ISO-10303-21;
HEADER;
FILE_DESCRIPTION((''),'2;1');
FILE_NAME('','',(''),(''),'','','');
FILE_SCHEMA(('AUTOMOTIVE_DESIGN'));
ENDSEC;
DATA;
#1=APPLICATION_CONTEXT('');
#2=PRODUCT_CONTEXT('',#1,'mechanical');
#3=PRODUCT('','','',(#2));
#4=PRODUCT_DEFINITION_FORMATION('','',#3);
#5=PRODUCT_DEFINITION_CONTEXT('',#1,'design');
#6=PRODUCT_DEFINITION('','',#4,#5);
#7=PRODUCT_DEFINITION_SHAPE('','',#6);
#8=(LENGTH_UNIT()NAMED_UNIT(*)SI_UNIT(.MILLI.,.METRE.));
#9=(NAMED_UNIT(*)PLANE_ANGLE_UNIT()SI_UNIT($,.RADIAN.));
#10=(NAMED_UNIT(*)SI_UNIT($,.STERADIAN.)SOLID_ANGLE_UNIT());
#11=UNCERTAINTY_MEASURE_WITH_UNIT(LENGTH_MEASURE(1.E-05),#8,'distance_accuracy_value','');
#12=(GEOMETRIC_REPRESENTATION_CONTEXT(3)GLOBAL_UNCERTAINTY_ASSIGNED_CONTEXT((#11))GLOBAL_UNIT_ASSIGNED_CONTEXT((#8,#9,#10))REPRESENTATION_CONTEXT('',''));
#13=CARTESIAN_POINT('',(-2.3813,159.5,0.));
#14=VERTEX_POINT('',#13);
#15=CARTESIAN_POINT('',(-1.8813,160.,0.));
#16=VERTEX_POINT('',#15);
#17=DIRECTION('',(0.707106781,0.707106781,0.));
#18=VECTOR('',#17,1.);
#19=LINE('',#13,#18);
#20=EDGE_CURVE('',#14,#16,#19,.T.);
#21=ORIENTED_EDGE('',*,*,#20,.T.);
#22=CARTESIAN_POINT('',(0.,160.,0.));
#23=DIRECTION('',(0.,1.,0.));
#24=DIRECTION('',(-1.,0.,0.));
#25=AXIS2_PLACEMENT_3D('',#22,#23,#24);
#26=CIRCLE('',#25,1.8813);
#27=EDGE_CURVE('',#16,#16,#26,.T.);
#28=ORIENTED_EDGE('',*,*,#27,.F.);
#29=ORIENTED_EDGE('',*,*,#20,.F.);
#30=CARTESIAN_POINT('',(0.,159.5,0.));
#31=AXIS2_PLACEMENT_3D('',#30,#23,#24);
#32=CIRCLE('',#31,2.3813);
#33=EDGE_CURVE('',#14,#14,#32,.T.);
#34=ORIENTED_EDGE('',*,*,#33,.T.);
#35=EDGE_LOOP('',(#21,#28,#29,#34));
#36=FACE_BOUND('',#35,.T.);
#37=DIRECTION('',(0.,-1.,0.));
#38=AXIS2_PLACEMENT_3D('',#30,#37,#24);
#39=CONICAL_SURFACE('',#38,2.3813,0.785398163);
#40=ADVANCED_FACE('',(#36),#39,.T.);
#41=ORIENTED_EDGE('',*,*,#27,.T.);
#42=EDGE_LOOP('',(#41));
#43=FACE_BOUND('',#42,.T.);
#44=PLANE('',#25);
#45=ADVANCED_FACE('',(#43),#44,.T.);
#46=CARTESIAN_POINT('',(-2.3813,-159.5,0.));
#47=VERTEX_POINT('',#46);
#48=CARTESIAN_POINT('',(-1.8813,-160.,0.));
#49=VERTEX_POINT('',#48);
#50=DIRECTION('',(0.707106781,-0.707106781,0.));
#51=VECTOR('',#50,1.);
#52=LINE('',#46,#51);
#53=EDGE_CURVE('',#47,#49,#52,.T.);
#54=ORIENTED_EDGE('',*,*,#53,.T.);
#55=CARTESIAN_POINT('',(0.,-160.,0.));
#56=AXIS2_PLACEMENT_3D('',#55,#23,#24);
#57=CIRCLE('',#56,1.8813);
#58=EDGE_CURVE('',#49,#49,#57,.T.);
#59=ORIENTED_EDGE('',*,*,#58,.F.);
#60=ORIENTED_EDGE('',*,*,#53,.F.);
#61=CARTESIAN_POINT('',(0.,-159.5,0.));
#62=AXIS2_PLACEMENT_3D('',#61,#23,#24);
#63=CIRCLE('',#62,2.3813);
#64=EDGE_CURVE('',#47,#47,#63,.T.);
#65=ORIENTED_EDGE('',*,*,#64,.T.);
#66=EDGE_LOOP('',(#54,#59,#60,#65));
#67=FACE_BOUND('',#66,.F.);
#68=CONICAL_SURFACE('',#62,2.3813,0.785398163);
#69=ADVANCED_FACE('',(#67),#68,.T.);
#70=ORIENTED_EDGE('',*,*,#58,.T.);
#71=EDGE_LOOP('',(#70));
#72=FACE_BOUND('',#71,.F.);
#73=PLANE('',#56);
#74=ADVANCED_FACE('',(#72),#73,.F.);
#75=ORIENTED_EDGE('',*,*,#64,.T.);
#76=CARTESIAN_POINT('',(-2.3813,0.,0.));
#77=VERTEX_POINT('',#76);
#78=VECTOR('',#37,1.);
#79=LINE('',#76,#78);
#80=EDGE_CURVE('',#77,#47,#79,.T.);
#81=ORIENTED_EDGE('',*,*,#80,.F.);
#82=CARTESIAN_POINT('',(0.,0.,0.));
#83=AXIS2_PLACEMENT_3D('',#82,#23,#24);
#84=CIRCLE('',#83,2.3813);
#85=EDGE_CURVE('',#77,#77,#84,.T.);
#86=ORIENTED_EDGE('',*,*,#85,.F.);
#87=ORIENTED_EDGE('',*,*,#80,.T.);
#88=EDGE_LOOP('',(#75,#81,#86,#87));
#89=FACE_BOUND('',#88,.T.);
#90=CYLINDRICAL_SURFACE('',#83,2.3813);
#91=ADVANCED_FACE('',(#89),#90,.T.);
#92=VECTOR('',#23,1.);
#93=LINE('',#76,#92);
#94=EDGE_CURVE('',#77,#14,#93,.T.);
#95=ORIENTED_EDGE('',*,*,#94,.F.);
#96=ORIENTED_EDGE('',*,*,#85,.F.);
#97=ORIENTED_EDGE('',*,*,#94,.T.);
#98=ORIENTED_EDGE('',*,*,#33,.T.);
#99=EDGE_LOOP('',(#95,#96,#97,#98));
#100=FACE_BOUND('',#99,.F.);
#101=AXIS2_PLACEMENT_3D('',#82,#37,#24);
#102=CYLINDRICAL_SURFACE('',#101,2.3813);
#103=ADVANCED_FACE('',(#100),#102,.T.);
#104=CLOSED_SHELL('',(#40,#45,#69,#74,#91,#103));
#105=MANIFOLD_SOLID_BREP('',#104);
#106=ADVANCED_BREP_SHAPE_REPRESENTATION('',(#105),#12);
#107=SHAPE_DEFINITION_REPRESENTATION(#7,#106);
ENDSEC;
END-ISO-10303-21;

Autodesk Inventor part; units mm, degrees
ref_plane "YZ Plane" through (0, 0, 0) normal (1, 0, 0) x (0, 1, 0)
ref_plane "XZ Plane" through (0, 0, 0) normal (0, 1, 0) x (-1, 0, 0)
ref_plane "XY Plane" through (0, 0, 0) normal (0, 0, 1) x (1, 0, 0)
sketch "Sketch1" plane through (0, 0, 0) normal (0, 1, 0) x (-1, 0, 0)
  circle A0 centre (0, 0) radius 2.3813
  dimension "d0" = 4.7625
extrude "Extrusion1" add sketch "Sketch1" along normal mid plane 320
thread "Thread1" size "M5x0.8" class "6g" standard "ANSI Metric M Profile" full length
chamfer "Chamfer1" distance 0.5 angle 45 2 edges at (2.3813, 160, 0) (2.3813, -160, 0)
properties part number "Frame_Z_Threaded_Rod_M5x320mm_LM3031" material "Stainless Steel"
